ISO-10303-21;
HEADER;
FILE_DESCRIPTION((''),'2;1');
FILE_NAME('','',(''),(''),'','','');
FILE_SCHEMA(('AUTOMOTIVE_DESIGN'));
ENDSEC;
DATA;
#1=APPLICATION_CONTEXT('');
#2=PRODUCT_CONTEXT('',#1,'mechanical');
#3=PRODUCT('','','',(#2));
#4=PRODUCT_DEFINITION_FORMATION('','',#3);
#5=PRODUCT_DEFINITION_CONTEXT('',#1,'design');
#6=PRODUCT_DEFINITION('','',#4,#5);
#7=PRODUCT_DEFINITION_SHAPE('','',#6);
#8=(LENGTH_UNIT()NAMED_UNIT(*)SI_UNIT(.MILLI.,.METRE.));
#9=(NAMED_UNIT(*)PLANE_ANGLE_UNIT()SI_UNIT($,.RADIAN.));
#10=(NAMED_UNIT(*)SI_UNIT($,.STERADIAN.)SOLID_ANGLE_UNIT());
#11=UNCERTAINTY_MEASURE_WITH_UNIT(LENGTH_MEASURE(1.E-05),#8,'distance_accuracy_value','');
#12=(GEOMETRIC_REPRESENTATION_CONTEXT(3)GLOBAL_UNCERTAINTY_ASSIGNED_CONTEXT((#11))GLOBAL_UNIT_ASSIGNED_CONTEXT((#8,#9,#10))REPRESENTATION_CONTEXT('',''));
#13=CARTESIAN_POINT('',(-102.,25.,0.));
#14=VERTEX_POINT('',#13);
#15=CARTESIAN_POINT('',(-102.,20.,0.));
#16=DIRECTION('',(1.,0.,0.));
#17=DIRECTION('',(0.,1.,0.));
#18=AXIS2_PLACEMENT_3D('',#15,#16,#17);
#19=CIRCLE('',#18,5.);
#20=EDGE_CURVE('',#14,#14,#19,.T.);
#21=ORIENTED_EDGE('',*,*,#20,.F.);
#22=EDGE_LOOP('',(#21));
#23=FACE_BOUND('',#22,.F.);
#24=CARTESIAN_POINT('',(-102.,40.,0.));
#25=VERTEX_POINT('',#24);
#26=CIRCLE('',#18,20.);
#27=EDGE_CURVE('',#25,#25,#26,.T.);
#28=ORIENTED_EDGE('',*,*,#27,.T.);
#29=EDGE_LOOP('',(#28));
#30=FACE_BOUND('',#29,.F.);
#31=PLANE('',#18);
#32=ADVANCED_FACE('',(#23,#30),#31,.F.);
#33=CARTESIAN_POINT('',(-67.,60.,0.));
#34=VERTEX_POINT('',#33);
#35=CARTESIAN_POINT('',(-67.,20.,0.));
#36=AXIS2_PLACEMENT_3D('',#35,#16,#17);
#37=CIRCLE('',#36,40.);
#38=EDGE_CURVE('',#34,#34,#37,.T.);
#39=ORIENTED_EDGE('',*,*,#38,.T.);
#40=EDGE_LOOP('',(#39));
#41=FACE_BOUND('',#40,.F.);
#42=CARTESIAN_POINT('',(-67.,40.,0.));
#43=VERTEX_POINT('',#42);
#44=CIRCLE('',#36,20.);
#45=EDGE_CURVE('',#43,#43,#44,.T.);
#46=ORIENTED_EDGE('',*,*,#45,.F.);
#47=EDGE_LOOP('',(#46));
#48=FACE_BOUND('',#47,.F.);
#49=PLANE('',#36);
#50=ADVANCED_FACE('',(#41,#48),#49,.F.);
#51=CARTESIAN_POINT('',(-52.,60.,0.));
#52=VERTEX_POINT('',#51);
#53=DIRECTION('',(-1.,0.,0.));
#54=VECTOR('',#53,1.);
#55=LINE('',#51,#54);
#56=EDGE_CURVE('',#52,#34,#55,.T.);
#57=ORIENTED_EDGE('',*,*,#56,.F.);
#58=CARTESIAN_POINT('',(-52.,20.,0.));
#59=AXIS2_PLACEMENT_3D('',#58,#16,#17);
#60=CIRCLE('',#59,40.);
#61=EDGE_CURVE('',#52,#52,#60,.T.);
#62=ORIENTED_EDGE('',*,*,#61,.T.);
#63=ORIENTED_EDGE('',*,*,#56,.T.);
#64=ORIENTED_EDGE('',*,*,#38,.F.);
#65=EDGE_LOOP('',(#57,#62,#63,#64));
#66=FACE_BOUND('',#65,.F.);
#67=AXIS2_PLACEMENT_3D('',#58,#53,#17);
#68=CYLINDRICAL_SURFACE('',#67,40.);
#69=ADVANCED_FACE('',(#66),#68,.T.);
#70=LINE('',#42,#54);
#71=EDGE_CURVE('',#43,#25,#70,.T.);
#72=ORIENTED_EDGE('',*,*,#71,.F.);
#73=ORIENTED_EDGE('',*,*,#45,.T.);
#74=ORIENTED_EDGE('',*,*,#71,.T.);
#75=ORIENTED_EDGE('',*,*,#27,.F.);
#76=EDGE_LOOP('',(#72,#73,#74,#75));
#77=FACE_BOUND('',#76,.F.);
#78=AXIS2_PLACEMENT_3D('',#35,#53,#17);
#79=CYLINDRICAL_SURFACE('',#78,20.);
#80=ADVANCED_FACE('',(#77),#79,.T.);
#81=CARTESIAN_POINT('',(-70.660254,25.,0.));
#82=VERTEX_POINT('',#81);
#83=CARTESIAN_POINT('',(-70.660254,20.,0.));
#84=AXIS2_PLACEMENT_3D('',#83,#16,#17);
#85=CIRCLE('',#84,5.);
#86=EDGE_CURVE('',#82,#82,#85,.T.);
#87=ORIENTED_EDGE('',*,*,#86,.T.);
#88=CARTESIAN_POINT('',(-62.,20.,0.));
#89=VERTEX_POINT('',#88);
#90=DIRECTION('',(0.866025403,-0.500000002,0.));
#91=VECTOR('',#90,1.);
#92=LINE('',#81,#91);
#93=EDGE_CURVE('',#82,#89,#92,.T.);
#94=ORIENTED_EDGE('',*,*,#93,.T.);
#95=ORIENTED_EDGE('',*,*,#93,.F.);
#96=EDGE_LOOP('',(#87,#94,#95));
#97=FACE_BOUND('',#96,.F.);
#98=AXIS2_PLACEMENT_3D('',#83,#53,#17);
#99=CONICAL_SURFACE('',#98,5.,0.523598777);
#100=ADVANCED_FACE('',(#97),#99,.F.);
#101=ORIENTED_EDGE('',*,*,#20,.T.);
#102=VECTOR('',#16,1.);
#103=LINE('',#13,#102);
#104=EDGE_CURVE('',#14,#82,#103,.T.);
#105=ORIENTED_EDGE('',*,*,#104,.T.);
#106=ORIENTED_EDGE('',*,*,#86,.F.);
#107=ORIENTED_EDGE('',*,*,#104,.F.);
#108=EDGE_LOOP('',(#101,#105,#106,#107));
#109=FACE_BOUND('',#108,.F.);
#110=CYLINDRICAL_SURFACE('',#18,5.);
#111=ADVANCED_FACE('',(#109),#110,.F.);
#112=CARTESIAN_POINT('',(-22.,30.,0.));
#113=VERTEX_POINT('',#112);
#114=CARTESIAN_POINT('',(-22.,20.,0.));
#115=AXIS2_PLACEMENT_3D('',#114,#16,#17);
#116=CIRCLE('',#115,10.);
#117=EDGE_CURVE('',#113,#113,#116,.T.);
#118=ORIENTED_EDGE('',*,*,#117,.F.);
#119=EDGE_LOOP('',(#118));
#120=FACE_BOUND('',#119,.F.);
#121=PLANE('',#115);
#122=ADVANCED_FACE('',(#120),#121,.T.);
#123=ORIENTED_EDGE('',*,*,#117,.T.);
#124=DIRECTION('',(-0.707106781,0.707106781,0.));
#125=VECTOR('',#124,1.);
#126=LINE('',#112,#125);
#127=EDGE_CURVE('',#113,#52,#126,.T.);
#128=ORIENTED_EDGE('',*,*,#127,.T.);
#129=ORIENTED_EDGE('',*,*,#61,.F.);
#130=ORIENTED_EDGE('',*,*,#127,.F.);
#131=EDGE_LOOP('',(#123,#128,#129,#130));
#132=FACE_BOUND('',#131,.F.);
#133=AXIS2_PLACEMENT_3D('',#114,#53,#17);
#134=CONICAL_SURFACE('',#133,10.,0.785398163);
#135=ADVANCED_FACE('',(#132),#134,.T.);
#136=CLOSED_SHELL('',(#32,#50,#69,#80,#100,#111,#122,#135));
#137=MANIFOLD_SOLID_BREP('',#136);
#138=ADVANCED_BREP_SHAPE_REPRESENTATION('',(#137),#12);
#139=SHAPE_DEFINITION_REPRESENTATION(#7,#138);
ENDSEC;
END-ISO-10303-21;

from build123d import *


with BuildPart() as f1:
    # F0 (on Top) → F1 (revolve)
    with BuildSketch(Plane.XY):
        Polygon((-67, 40), (-102, 40), (-102, 25), (-70.660254, 25), (-62, 20), (-22, 20), (-22, 30), (-52, 60), (-67, 60), align=None)
    revolve(axis=Axis((-62, 20, 0), (1, 0, 0)))


solid = f1.part
